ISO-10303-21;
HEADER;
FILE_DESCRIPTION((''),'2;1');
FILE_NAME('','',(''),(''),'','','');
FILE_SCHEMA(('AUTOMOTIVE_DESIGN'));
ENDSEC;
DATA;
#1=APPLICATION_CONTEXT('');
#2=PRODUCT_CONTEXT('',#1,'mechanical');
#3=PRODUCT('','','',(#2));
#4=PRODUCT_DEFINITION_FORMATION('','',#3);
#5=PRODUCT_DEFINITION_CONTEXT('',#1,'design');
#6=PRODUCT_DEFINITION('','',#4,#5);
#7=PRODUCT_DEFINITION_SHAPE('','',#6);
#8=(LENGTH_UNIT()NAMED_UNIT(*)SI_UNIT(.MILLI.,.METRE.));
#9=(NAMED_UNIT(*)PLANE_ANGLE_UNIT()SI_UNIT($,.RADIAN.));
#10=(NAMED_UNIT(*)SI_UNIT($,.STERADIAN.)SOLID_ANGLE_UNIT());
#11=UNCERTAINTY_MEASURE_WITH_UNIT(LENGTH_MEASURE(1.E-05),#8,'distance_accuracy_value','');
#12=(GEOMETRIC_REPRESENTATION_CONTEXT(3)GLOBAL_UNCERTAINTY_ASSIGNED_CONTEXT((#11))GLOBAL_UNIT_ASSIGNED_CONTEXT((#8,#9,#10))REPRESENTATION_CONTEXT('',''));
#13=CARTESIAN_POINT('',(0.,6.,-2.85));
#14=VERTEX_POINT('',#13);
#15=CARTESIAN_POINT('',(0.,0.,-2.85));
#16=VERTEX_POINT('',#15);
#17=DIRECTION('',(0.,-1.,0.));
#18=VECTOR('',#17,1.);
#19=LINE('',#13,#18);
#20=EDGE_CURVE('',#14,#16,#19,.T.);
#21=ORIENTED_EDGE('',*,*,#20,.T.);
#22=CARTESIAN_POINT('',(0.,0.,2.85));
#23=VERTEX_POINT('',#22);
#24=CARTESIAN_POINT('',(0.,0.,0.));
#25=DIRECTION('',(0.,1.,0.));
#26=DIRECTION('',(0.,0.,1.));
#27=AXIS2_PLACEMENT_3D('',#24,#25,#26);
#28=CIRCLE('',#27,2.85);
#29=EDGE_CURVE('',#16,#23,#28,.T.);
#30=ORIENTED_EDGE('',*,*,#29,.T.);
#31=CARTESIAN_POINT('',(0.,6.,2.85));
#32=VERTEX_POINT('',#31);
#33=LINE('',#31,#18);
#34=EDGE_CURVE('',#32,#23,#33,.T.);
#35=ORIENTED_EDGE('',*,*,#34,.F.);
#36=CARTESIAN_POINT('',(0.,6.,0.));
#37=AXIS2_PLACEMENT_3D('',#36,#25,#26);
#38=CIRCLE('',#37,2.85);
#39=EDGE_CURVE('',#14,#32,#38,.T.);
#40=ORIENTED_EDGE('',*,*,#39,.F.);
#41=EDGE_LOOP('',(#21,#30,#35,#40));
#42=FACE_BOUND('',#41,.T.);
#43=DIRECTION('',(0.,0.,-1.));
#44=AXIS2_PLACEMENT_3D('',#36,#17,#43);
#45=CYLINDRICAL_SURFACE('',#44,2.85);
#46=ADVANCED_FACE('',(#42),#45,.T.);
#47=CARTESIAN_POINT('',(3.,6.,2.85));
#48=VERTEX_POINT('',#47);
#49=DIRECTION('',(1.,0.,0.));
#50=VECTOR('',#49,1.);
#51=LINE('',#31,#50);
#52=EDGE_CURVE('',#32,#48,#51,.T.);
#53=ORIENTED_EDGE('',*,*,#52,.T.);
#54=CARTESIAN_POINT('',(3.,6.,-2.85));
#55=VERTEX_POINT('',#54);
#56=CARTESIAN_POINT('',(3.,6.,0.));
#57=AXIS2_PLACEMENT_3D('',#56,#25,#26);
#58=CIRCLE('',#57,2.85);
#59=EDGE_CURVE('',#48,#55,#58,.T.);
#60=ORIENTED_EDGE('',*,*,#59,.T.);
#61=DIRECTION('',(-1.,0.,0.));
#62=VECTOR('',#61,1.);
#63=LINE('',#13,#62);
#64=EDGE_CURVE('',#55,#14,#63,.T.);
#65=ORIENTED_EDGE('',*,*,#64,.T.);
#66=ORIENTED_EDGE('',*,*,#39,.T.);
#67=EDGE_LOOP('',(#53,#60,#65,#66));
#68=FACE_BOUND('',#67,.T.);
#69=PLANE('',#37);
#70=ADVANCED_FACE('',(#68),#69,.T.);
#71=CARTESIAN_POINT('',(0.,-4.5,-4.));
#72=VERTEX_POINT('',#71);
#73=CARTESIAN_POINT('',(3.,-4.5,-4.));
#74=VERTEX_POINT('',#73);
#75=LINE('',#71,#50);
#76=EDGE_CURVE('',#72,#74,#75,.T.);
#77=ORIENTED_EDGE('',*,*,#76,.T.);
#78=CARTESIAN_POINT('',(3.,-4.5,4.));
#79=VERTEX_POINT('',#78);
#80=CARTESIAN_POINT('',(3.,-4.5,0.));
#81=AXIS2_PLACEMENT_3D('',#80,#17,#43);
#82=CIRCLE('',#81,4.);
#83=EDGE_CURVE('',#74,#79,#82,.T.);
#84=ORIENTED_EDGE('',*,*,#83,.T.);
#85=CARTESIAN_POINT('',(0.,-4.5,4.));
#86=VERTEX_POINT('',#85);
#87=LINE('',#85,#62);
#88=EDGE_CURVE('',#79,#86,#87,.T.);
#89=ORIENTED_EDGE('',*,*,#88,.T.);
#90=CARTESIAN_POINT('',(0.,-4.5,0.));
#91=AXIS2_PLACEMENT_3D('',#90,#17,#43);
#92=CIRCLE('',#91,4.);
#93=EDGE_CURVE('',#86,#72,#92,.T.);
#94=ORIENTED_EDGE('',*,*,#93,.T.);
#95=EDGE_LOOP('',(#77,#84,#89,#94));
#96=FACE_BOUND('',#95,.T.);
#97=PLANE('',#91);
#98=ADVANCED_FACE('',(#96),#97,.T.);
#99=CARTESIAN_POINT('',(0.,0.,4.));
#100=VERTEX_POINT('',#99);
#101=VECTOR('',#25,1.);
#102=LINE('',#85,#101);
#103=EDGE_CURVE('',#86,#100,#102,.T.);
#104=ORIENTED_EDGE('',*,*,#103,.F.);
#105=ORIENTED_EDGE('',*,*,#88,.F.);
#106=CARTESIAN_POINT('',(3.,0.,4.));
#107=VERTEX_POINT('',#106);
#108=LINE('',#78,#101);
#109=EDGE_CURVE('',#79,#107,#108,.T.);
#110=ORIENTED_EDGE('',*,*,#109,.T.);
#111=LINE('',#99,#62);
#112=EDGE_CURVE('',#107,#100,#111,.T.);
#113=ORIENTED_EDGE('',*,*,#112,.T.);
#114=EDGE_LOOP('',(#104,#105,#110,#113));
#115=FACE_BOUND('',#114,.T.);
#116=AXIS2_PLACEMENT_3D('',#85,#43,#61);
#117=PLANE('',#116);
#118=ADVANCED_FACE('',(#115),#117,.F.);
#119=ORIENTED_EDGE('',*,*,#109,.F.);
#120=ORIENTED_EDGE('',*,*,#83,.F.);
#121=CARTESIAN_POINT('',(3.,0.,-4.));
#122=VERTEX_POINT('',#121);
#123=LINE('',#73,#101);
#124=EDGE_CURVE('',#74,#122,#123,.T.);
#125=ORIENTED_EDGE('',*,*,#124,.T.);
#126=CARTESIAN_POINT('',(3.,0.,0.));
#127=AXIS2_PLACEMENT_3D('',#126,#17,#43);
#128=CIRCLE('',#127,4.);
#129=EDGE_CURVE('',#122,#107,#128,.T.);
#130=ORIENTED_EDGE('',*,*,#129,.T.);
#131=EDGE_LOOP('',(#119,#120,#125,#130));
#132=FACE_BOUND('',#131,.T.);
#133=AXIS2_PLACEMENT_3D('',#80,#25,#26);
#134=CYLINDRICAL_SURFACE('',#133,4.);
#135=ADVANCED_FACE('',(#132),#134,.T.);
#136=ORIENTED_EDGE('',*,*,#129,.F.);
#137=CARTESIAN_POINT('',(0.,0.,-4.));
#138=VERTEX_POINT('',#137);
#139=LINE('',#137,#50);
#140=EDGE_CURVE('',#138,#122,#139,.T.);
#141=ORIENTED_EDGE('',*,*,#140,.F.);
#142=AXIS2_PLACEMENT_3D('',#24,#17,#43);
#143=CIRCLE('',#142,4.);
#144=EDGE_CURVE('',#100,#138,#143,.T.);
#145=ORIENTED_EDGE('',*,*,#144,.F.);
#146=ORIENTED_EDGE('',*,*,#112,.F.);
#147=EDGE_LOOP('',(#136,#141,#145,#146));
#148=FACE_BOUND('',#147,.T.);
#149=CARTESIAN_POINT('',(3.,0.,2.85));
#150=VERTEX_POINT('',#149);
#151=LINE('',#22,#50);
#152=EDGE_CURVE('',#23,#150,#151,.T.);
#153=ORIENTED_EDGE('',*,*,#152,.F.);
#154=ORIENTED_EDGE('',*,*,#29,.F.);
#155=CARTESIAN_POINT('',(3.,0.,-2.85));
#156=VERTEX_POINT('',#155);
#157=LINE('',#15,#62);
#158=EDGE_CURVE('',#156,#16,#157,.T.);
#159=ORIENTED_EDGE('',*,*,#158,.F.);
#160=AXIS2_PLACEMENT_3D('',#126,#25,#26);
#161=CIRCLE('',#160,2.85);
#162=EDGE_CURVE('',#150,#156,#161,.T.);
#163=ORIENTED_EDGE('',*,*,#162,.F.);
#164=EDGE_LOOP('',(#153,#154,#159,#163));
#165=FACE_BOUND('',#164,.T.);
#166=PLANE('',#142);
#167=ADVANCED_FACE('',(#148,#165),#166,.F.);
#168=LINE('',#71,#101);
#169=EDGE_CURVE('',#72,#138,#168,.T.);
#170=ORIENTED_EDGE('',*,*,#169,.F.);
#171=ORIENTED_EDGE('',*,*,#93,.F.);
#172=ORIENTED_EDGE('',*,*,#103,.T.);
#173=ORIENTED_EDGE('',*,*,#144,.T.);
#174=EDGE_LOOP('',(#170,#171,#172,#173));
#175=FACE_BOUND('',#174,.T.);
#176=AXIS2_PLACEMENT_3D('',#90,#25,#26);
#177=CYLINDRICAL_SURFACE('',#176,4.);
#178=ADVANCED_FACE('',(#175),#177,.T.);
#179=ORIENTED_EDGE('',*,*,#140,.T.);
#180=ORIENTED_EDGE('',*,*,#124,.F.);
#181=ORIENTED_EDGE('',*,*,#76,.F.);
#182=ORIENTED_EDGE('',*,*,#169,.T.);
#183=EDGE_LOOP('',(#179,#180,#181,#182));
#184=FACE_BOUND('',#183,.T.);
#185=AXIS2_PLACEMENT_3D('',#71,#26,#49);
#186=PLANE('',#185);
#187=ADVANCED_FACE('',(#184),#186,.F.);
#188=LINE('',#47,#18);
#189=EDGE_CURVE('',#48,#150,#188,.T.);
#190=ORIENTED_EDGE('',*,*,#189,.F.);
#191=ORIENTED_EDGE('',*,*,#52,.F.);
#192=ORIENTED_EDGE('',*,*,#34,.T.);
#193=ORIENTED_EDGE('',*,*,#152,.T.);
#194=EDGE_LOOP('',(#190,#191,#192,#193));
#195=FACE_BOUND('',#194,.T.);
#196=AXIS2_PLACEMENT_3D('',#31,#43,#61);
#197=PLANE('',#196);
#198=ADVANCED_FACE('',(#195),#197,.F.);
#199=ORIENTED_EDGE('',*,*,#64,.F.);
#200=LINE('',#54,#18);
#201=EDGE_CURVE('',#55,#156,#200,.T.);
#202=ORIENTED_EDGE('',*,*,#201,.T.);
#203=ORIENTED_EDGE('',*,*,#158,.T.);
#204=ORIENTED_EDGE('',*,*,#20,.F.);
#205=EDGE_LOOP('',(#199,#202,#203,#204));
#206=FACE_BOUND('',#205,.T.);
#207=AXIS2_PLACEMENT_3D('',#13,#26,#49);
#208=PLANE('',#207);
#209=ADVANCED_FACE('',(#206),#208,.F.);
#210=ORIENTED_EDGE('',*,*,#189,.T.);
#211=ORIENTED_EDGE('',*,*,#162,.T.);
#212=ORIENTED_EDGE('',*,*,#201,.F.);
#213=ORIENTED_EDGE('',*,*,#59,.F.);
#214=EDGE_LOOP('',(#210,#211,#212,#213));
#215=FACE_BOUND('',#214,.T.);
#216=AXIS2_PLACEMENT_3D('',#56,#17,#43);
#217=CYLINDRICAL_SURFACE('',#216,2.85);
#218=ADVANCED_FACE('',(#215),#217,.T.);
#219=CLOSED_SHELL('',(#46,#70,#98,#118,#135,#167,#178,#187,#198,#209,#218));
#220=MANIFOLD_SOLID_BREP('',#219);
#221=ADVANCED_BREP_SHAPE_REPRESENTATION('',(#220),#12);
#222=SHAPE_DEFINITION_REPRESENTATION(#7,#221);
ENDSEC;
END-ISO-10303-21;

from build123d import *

# Parameters (mm, degrees)
EXTRUDE_1_DEPTH = 6
EXTRUDE_2_DEPTH = 4.5


with BuildPart() as part:
    # 草图1 → 凸台-拉伸1 (new body)
    with BuildSketch(Plane(origin=(0, 0, 0), x_dir=(1, 0, 0), z_dir=(0, 1, 0))):
        with BuildLine():
            Line((0, 2.85), (3, 2.85))
            ThreePointArc((3, 2.85), (5.85, 0), (3, -2.85))
            Line((3, -2.85), (0, -2.85))
            ThreePointArc((0, -2.85), (-2.85, 0), (0, 2.85))
        make_face()
    extrude(amount=EXTRUDE_1_DEPTH)

    # 草图2 → 凸台-拉伸2 (add)
    with BuildSketch(Plane.XZ):
        with BuildLine():
            Line((0, 4), (3, 4))
            ThreePointArc((3, 4), (7, 0), (3, -4))
            Line((3, -4), (0, -4))
            ThreePointArc((0, -4), (-4, 0), (0, 4))
        make_face()
    extrude(amount=EXTRUDE_2_DEPTH)


solid = part.part
